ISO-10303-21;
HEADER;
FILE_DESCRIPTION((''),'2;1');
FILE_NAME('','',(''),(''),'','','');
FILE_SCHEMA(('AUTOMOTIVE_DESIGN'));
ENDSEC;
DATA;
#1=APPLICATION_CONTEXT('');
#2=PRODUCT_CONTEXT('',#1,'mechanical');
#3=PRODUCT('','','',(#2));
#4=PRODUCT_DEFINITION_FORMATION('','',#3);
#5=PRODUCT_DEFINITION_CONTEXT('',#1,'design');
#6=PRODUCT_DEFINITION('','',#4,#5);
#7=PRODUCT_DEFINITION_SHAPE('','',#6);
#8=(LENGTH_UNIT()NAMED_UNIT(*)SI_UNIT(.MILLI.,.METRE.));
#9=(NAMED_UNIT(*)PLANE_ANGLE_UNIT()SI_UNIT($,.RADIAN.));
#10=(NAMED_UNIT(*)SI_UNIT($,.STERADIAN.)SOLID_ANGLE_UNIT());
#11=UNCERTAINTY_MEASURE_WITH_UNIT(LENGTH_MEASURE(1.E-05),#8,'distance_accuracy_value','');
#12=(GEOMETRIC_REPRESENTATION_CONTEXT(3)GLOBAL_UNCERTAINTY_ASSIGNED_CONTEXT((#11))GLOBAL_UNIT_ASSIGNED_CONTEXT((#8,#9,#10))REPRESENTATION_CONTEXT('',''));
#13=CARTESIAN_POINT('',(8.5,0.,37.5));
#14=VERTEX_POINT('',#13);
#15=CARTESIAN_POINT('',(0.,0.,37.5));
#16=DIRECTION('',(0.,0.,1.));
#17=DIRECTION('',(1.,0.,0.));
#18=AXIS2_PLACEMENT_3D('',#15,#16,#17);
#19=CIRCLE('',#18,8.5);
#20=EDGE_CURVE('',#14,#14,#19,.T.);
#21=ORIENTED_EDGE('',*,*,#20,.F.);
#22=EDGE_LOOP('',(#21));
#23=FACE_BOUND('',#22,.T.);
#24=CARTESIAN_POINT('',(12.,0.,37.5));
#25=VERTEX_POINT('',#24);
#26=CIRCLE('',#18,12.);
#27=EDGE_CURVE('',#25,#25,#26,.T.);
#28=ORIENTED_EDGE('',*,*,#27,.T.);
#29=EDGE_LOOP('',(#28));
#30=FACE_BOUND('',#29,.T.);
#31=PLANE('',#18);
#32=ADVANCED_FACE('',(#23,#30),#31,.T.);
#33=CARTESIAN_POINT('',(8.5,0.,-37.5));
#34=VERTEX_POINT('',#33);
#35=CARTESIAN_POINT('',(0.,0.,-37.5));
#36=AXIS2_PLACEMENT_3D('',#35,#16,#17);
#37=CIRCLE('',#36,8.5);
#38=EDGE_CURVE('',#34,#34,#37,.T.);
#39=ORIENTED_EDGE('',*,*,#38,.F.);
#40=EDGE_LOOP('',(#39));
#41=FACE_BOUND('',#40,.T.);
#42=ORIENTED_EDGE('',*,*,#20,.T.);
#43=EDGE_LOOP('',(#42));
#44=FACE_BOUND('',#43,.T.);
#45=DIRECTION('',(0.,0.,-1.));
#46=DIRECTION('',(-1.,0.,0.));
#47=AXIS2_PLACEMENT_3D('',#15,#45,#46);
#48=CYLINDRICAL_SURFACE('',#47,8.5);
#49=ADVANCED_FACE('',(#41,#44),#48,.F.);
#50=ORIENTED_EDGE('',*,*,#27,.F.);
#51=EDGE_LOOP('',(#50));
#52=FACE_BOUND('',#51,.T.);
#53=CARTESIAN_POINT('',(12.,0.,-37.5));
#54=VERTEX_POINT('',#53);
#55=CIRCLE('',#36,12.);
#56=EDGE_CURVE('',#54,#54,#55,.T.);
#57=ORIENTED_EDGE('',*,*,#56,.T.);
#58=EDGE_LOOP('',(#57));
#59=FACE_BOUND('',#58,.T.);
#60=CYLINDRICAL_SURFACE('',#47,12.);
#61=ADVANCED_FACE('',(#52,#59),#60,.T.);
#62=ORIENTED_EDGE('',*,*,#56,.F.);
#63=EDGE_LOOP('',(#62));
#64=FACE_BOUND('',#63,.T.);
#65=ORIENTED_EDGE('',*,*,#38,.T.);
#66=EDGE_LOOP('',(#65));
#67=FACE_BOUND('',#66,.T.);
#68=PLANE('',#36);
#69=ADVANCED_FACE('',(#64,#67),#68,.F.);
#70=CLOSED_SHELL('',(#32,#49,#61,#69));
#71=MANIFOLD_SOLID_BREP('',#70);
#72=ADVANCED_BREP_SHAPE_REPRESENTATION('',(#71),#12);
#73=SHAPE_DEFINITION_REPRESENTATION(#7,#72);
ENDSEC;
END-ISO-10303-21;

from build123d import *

# Parameters (mm, degrees)
SKETCH1_R           = 12
SKETCH1_R_2         = 8.5
BOSS_EXTRUDE1_DEPTH = 37.5


with BuildPart() as part:
    # Sketch1 → Boss-Extrude1 (new body, symmetric)
    with BuildSketch(Plane.XY):
        Circle(SKETCH1_R)
        Circle(SKETCH1_R_2, mode=Mode.SUBTRACT)
    extrude(amount=BOSS_EXTRUDE1_DEPTH, both=True)


solid = part.part
